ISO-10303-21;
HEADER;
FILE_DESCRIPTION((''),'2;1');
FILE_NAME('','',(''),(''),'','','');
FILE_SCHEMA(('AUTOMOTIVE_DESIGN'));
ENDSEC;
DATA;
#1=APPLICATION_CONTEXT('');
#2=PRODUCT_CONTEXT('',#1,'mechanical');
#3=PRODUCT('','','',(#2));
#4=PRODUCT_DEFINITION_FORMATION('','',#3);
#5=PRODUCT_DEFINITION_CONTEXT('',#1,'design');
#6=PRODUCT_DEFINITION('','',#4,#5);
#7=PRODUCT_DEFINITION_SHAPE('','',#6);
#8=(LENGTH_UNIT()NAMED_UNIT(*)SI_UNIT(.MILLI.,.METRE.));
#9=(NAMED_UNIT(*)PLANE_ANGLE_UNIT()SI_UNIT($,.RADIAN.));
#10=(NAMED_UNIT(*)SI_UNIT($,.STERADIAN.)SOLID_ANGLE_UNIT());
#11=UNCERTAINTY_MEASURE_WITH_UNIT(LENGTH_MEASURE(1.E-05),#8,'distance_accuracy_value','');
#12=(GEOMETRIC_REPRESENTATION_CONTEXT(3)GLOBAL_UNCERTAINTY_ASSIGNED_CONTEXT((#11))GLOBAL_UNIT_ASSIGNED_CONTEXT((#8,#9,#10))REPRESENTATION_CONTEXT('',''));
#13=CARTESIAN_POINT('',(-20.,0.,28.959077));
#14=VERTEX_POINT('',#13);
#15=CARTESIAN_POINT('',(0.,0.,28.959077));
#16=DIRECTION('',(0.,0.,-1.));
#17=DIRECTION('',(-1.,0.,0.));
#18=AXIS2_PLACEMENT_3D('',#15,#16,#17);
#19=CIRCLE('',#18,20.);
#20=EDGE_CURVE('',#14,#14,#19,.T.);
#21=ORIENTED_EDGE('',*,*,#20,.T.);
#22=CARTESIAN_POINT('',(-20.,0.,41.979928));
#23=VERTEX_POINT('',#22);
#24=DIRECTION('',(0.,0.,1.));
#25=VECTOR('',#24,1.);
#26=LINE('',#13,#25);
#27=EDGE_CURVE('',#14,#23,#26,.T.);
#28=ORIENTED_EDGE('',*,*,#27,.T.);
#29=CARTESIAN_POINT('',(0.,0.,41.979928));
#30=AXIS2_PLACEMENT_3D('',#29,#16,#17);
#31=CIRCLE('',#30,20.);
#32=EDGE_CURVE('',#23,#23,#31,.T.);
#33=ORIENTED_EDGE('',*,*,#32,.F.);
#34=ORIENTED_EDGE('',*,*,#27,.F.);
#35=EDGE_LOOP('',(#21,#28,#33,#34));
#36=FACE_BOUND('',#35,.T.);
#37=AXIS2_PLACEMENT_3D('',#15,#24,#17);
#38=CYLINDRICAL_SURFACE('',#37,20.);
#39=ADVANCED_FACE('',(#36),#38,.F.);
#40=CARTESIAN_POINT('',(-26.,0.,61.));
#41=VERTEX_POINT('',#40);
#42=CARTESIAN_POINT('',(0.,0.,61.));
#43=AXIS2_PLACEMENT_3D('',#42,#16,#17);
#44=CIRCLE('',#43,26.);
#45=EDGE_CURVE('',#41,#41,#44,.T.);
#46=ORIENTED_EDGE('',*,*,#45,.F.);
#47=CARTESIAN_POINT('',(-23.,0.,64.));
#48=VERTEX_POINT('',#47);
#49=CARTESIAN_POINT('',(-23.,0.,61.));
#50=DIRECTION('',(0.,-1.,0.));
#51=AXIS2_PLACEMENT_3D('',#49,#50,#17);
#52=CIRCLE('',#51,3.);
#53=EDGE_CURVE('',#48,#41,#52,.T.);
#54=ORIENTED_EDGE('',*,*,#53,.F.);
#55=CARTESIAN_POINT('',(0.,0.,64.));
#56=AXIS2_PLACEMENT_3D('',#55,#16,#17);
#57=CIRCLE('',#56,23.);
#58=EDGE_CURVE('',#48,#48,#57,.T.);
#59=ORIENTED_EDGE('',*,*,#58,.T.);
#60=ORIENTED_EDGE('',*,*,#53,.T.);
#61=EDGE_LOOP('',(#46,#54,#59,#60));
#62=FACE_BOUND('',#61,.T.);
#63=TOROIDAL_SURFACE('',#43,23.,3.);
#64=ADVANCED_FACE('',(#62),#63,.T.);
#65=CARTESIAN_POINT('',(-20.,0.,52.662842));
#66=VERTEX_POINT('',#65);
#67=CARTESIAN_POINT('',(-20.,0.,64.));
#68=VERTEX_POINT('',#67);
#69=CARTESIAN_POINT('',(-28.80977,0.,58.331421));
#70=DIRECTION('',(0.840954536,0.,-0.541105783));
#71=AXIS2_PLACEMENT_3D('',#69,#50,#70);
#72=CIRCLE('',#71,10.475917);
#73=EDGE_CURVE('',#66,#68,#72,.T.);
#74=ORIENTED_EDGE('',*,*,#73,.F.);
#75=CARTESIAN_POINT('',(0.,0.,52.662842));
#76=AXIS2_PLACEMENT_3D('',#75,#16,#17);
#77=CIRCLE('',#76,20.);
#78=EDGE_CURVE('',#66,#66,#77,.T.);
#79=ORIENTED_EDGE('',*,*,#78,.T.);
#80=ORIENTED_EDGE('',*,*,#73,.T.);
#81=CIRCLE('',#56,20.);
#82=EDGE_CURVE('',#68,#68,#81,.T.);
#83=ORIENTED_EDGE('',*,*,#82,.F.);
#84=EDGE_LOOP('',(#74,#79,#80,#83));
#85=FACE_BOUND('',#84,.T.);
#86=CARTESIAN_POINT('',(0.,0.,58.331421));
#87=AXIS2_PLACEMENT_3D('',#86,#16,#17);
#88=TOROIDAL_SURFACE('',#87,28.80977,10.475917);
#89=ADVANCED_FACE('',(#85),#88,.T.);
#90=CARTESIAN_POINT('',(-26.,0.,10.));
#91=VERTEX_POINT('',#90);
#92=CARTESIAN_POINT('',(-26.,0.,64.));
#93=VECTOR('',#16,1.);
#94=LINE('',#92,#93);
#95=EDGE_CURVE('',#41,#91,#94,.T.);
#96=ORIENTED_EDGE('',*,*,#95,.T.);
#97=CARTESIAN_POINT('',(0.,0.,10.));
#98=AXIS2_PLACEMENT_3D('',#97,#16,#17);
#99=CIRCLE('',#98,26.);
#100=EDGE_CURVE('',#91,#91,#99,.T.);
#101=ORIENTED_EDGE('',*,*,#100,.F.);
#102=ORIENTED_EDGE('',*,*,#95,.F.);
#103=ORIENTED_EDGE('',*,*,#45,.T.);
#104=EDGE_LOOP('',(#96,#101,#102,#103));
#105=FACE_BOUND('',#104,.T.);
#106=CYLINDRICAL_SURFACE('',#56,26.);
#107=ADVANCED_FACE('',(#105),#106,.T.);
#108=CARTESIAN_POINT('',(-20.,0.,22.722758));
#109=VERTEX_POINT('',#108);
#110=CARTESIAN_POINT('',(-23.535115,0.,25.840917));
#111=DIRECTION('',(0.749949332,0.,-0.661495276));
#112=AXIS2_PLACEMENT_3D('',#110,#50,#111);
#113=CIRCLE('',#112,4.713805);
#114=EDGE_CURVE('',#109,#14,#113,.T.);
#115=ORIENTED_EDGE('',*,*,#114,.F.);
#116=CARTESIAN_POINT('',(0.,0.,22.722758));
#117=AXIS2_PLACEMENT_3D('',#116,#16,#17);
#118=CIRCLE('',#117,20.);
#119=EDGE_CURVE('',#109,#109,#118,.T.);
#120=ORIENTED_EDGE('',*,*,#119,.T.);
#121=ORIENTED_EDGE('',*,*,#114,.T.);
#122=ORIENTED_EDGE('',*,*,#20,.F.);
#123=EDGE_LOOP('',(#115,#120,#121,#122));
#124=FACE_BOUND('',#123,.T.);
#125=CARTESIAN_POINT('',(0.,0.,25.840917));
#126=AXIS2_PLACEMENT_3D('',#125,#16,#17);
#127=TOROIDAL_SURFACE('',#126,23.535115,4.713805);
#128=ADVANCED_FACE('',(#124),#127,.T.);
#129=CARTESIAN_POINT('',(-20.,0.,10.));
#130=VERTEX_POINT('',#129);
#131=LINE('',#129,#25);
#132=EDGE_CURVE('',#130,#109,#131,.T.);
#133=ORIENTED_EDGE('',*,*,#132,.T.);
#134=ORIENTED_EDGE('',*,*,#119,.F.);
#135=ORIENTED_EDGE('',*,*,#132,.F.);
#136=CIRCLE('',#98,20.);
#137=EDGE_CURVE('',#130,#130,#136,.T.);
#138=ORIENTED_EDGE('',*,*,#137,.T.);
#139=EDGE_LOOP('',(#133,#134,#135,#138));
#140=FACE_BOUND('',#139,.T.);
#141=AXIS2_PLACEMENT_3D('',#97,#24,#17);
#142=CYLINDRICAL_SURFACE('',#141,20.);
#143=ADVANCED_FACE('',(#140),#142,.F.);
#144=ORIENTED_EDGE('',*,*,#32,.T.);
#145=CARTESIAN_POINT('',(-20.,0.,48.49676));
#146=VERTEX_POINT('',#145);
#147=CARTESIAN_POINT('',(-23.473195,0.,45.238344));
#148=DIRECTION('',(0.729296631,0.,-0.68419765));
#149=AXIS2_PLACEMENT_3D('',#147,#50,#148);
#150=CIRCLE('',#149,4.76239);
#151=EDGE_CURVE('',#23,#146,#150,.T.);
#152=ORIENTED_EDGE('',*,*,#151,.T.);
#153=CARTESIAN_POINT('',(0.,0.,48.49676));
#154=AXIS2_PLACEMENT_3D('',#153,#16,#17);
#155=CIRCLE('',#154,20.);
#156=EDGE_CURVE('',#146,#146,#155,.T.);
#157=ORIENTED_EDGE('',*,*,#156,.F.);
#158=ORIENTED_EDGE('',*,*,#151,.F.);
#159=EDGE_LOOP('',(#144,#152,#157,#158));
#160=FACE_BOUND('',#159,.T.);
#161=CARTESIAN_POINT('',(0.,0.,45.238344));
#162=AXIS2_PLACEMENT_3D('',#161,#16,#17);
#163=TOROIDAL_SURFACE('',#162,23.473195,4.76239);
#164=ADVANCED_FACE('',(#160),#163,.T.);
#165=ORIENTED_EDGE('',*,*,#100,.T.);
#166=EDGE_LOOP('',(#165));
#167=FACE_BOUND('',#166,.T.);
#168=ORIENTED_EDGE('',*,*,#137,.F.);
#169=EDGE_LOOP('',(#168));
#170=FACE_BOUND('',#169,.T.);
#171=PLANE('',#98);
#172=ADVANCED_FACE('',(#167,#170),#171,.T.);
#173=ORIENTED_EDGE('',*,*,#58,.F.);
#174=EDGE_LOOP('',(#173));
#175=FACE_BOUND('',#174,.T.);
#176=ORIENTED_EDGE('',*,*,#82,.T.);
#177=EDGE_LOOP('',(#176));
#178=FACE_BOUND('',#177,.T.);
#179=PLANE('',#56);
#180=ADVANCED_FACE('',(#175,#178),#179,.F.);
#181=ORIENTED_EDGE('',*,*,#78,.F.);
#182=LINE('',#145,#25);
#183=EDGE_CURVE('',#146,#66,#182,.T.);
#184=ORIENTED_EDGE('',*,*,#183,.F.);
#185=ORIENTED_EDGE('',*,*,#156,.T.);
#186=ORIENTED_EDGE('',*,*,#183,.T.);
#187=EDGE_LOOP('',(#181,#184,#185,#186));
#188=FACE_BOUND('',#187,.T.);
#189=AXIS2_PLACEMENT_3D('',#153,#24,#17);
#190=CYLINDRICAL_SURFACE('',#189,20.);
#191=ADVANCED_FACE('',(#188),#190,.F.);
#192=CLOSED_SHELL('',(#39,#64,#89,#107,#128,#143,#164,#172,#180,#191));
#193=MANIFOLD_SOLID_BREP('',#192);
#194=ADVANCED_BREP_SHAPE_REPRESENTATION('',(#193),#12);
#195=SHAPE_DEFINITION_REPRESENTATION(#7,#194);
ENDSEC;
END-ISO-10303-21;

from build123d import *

# Parameters (mm, degrees)
F2_R = 3


with BuildPart() as f1:
    # F0 (on Front) → F1 (revolve)
    with BuildSketch(Plane.XZ):
        with BuildLine():
            ThreePointArc((-20, 52.662842), (-18.333853, 58.331421), (-20, 64))
            Line((-20, 64), (-26, 64))
            Line((-26, 64), (-26, 10))
            Line((-26, 10), (-20, 10))
            Line((-20, 10), (-20, 22.722758))
            ThreePointArc((-20, 22.722758), (-18.82131, 25.840918), (-20, 28.959077))
            Line((-20, 28.959077), (-20, 41.979928))
            ThreePointArc((-20, 41.979928), (-18.710805, 45.238344), (-20, 48.49676))
            Line((-20, 48.49676), (-20, 52.662842))
        make_face()
    revolve(axis=Axis((0, 0, 15.521475), (0, 0, -1)))

    # F2
    f2_edges = [f1.edges().sort_by_distance(p)[0] for p in [
        (26, 0, 64),
    ]]
    fillet(f2_edges, radius=F2_R)


solid = f1.part
